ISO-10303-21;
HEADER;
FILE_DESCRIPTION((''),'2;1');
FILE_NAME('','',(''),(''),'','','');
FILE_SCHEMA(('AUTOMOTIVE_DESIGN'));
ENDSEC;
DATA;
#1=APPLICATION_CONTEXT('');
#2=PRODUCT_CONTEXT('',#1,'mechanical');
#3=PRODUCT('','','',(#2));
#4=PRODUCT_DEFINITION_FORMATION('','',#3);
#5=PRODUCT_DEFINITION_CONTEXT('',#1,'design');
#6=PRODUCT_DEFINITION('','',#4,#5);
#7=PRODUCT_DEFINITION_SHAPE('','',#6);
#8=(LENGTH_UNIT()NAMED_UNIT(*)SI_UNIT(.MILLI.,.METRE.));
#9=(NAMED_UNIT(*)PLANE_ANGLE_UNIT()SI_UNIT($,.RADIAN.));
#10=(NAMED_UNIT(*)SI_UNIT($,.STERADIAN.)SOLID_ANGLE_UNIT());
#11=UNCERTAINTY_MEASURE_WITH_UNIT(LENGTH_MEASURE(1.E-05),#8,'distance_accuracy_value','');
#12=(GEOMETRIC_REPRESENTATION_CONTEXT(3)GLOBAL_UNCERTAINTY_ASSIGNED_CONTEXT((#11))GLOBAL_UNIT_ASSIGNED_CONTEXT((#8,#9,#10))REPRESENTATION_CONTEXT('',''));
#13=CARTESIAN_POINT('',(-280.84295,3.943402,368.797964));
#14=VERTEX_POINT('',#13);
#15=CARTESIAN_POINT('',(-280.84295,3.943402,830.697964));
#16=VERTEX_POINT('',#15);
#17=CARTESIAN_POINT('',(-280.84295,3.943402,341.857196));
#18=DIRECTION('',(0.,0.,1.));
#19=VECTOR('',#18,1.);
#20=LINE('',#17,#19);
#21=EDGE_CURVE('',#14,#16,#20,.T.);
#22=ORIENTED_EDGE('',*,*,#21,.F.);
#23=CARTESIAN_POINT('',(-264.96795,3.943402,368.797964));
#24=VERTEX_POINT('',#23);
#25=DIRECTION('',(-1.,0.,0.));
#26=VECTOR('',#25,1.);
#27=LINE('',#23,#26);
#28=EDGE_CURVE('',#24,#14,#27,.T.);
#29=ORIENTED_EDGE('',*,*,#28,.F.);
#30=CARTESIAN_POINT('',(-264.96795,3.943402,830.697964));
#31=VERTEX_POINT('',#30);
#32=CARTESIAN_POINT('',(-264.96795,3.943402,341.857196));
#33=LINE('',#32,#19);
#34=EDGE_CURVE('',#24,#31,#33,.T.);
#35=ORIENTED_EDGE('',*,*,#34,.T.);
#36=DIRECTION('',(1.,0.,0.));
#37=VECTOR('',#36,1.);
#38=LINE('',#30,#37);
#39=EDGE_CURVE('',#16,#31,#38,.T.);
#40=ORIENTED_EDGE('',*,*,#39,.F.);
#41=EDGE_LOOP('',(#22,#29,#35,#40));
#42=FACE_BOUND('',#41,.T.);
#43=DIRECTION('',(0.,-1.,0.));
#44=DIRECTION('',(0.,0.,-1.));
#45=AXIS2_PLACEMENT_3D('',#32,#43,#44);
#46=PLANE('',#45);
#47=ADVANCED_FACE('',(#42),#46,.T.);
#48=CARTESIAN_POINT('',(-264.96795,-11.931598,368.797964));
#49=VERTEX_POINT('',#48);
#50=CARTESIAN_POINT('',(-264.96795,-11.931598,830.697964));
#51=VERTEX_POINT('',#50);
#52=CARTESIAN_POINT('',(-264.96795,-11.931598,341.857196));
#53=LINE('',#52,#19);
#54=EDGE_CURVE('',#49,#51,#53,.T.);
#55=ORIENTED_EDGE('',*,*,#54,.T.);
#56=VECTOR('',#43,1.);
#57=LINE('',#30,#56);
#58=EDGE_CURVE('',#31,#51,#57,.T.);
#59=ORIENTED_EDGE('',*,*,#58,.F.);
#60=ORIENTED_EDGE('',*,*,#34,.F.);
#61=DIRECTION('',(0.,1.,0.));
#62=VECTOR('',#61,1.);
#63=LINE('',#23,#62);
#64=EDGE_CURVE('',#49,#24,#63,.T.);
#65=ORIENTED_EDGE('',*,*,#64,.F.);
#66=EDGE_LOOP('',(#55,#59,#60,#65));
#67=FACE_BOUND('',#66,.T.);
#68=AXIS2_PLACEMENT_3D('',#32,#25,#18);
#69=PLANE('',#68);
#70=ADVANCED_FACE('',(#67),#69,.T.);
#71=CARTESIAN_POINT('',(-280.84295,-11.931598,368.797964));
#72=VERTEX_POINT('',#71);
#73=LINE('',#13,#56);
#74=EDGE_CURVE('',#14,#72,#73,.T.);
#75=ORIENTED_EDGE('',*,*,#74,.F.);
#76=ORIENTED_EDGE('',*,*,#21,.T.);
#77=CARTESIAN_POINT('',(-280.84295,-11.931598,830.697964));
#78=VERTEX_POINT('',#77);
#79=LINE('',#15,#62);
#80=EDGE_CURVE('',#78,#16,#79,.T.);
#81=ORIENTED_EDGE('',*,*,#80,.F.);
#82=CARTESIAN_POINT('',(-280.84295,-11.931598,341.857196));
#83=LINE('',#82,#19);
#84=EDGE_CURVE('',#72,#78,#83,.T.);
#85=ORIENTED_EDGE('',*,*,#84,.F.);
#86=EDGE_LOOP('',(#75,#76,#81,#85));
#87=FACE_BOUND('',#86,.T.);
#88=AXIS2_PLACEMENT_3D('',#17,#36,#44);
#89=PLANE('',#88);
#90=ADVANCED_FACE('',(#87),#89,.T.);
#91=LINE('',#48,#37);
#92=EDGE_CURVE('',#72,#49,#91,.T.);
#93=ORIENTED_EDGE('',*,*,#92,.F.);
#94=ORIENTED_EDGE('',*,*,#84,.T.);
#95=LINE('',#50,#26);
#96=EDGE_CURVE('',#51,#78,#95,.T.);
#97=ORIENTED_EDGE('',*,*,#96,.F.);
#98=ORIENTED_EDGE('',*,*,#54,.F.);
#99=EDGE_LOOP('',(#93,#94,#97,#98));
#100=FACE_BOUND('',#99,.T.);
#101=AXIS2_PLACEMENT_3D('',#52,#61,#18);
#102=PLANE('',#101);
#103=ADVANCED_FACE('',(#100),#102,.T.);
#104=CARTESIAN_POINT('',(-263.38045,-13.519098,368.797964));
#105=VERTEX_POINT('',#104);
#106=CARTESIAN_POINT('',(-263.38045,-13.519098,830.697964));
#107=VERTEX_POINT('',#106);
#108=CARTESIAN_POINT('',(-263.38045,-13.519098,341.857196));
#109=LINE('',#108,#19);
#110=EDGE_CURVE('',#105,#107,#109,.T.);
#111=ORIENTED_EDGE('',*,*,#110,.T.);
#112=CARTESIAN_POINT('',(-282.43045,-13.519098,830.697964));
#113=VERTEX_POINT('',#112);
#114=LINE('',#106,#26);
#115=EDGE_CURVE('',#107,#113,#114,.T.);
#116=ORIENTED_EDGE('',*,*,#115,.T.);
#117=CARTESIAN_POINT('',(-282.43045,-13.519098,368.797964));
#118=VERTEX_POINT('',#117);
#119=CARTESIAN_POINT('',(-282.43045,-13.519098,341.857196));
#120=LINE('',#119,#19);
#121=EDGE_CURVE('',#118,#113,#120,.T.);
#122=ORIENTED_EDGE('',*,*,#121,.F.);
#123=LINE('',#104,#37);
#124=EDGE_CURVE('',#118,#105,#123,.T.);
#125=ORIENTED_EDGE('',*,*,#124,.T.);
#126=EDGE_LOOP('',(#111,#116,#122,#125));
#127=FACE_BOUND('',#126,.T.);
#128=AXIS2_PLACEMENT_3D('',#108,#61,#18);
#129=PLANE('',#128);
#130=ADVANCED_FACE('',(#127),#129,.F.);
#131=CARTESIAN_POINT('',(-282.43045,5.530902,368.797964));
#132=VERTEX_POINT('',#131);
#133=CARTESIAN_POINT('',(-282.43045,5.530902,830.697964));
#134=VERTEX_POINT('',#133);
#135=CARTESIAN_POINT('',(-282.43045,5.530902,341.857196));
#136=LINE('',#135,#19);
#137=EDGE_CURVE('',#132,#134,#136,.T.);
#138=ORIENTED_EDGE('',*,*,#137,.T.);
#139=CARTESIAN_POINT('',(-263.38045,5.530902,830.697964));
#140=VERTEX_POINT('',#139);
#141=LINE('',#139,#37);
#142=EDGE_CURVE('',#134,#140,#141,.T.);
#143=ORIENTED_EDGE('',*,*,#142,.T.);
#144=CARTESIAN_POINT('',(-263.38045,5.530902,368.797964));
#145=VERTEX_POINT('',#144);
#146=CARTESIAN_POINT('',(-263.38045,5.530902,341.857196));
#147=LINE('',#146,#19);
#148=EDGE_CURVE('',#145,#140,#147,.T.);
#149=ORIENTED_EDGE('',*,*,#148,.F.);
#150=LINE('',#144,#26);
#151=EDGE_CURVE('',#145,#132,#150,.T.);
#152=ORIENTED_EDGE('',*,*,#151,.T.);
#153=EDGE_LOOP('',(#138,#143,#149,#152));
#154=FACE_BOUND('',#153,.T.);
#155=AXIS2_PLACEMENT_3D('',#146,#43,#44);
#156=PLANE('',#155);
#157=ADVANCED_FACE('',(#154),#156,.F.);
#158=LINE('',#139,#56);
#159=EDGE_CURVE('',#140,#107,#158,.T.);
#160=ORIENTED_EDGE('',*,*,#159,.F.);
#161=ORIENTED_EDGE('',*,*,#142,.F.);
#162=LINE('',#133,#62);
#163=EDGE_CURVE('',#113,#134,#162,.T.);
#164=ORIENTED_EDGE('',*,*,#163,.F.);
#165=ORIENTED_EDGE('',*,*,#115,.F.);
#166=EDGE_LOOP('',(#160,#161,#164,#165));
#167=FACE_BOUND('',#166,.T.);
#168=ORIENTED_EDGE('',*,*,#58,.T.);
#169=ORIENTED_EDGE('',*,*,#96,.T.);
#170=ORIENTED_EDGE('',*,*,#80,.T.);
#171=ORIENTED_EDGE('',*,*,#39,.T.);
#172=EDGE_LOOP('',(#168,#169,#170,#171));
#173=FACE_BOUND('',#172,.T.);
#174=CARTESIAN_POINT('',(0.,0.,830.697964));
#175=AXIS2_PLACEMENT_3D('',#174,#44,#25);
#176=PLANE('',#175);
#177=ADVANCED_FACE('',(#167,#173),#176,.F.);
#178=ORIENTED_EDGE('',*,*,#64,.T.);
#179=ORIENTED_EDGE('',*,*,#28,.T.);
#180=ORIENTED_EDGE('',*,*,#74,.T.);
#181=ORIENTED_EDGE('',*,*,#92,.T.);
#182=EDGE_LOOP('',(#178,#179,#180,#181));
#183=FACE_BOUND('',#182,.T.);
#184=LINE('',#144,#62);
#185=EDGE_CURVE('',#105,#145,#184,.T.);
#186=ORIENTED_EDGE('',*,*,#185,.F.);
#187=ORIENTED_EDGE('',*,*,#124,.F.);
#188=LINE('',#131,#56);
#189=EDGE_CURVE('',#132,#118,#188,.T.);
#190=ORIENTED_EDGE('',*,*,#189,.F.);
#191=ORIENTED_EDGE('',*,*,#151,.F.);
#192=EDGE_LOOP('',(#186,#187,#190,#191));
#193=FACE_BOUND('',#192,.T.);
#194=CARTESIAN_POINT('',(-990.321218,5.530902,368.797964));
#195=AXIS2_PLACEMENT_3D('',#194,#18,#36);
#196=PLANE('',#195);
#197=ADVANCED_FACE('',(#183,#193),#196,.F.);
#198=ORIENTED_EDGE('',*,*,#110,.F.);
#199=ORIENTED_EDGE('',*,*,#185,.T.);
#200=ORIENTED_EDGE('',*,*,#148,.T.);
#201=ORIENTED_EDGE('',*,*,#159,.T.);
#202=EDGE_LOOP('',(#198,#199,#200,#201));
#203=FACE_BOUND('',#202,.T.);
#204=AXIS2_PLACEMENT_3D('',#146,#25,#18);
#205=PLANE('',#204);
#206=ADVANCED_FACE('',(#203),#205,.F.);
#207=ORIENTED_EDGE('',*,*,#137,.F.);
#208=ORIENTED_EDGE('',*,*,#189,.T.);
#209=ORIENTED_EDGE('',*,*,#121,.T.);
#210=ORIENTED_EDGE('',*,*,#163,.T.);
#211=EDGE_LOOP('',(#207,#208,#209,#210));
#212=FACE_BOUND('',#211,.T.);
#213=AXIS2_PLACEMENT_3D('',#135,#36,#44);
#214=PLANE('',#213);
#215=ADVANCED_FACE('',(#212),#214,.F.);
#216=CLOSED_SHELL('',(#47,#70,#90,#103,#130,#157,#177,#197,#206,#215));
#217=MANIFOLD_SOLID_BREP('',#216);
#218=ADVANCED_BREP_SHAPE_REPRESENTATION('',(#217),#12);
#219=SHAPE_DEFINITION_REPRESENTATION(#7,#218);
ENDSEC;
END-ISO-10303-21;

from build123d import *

# Parameters (mm, degrees)
SKETCH1_W           = 19.05
SKETCH1_H           = 19.05
SKETCH1_W_2         = 15.875
SKETCH1_H_2         = 15.875
BOSS_EXTRUDE1_DEPTH = 461.9


with BuildPart() as part:
    # Sketch1 → Boss-Extrude1 (new body)
    with BuildSketch(Plane(origin=(0, 0, 830.697963948), x_dir=(-1, 0, 0), z_dir=(0, 0, -1))):
        with Locations((272.905449824, -3.994098241)):
            Rectangle(SKETCH1_W, SKETCH1_H)
        with Locations((272.905449824, -3.994098241)):
            Rectangle(SKETCH1_W_2, SKETCH1_H_2, mode=Mode.SUBTRACT)
    extrude(amount=BOSS_EXTRUDE1_DEPTH)


solid = part.part
